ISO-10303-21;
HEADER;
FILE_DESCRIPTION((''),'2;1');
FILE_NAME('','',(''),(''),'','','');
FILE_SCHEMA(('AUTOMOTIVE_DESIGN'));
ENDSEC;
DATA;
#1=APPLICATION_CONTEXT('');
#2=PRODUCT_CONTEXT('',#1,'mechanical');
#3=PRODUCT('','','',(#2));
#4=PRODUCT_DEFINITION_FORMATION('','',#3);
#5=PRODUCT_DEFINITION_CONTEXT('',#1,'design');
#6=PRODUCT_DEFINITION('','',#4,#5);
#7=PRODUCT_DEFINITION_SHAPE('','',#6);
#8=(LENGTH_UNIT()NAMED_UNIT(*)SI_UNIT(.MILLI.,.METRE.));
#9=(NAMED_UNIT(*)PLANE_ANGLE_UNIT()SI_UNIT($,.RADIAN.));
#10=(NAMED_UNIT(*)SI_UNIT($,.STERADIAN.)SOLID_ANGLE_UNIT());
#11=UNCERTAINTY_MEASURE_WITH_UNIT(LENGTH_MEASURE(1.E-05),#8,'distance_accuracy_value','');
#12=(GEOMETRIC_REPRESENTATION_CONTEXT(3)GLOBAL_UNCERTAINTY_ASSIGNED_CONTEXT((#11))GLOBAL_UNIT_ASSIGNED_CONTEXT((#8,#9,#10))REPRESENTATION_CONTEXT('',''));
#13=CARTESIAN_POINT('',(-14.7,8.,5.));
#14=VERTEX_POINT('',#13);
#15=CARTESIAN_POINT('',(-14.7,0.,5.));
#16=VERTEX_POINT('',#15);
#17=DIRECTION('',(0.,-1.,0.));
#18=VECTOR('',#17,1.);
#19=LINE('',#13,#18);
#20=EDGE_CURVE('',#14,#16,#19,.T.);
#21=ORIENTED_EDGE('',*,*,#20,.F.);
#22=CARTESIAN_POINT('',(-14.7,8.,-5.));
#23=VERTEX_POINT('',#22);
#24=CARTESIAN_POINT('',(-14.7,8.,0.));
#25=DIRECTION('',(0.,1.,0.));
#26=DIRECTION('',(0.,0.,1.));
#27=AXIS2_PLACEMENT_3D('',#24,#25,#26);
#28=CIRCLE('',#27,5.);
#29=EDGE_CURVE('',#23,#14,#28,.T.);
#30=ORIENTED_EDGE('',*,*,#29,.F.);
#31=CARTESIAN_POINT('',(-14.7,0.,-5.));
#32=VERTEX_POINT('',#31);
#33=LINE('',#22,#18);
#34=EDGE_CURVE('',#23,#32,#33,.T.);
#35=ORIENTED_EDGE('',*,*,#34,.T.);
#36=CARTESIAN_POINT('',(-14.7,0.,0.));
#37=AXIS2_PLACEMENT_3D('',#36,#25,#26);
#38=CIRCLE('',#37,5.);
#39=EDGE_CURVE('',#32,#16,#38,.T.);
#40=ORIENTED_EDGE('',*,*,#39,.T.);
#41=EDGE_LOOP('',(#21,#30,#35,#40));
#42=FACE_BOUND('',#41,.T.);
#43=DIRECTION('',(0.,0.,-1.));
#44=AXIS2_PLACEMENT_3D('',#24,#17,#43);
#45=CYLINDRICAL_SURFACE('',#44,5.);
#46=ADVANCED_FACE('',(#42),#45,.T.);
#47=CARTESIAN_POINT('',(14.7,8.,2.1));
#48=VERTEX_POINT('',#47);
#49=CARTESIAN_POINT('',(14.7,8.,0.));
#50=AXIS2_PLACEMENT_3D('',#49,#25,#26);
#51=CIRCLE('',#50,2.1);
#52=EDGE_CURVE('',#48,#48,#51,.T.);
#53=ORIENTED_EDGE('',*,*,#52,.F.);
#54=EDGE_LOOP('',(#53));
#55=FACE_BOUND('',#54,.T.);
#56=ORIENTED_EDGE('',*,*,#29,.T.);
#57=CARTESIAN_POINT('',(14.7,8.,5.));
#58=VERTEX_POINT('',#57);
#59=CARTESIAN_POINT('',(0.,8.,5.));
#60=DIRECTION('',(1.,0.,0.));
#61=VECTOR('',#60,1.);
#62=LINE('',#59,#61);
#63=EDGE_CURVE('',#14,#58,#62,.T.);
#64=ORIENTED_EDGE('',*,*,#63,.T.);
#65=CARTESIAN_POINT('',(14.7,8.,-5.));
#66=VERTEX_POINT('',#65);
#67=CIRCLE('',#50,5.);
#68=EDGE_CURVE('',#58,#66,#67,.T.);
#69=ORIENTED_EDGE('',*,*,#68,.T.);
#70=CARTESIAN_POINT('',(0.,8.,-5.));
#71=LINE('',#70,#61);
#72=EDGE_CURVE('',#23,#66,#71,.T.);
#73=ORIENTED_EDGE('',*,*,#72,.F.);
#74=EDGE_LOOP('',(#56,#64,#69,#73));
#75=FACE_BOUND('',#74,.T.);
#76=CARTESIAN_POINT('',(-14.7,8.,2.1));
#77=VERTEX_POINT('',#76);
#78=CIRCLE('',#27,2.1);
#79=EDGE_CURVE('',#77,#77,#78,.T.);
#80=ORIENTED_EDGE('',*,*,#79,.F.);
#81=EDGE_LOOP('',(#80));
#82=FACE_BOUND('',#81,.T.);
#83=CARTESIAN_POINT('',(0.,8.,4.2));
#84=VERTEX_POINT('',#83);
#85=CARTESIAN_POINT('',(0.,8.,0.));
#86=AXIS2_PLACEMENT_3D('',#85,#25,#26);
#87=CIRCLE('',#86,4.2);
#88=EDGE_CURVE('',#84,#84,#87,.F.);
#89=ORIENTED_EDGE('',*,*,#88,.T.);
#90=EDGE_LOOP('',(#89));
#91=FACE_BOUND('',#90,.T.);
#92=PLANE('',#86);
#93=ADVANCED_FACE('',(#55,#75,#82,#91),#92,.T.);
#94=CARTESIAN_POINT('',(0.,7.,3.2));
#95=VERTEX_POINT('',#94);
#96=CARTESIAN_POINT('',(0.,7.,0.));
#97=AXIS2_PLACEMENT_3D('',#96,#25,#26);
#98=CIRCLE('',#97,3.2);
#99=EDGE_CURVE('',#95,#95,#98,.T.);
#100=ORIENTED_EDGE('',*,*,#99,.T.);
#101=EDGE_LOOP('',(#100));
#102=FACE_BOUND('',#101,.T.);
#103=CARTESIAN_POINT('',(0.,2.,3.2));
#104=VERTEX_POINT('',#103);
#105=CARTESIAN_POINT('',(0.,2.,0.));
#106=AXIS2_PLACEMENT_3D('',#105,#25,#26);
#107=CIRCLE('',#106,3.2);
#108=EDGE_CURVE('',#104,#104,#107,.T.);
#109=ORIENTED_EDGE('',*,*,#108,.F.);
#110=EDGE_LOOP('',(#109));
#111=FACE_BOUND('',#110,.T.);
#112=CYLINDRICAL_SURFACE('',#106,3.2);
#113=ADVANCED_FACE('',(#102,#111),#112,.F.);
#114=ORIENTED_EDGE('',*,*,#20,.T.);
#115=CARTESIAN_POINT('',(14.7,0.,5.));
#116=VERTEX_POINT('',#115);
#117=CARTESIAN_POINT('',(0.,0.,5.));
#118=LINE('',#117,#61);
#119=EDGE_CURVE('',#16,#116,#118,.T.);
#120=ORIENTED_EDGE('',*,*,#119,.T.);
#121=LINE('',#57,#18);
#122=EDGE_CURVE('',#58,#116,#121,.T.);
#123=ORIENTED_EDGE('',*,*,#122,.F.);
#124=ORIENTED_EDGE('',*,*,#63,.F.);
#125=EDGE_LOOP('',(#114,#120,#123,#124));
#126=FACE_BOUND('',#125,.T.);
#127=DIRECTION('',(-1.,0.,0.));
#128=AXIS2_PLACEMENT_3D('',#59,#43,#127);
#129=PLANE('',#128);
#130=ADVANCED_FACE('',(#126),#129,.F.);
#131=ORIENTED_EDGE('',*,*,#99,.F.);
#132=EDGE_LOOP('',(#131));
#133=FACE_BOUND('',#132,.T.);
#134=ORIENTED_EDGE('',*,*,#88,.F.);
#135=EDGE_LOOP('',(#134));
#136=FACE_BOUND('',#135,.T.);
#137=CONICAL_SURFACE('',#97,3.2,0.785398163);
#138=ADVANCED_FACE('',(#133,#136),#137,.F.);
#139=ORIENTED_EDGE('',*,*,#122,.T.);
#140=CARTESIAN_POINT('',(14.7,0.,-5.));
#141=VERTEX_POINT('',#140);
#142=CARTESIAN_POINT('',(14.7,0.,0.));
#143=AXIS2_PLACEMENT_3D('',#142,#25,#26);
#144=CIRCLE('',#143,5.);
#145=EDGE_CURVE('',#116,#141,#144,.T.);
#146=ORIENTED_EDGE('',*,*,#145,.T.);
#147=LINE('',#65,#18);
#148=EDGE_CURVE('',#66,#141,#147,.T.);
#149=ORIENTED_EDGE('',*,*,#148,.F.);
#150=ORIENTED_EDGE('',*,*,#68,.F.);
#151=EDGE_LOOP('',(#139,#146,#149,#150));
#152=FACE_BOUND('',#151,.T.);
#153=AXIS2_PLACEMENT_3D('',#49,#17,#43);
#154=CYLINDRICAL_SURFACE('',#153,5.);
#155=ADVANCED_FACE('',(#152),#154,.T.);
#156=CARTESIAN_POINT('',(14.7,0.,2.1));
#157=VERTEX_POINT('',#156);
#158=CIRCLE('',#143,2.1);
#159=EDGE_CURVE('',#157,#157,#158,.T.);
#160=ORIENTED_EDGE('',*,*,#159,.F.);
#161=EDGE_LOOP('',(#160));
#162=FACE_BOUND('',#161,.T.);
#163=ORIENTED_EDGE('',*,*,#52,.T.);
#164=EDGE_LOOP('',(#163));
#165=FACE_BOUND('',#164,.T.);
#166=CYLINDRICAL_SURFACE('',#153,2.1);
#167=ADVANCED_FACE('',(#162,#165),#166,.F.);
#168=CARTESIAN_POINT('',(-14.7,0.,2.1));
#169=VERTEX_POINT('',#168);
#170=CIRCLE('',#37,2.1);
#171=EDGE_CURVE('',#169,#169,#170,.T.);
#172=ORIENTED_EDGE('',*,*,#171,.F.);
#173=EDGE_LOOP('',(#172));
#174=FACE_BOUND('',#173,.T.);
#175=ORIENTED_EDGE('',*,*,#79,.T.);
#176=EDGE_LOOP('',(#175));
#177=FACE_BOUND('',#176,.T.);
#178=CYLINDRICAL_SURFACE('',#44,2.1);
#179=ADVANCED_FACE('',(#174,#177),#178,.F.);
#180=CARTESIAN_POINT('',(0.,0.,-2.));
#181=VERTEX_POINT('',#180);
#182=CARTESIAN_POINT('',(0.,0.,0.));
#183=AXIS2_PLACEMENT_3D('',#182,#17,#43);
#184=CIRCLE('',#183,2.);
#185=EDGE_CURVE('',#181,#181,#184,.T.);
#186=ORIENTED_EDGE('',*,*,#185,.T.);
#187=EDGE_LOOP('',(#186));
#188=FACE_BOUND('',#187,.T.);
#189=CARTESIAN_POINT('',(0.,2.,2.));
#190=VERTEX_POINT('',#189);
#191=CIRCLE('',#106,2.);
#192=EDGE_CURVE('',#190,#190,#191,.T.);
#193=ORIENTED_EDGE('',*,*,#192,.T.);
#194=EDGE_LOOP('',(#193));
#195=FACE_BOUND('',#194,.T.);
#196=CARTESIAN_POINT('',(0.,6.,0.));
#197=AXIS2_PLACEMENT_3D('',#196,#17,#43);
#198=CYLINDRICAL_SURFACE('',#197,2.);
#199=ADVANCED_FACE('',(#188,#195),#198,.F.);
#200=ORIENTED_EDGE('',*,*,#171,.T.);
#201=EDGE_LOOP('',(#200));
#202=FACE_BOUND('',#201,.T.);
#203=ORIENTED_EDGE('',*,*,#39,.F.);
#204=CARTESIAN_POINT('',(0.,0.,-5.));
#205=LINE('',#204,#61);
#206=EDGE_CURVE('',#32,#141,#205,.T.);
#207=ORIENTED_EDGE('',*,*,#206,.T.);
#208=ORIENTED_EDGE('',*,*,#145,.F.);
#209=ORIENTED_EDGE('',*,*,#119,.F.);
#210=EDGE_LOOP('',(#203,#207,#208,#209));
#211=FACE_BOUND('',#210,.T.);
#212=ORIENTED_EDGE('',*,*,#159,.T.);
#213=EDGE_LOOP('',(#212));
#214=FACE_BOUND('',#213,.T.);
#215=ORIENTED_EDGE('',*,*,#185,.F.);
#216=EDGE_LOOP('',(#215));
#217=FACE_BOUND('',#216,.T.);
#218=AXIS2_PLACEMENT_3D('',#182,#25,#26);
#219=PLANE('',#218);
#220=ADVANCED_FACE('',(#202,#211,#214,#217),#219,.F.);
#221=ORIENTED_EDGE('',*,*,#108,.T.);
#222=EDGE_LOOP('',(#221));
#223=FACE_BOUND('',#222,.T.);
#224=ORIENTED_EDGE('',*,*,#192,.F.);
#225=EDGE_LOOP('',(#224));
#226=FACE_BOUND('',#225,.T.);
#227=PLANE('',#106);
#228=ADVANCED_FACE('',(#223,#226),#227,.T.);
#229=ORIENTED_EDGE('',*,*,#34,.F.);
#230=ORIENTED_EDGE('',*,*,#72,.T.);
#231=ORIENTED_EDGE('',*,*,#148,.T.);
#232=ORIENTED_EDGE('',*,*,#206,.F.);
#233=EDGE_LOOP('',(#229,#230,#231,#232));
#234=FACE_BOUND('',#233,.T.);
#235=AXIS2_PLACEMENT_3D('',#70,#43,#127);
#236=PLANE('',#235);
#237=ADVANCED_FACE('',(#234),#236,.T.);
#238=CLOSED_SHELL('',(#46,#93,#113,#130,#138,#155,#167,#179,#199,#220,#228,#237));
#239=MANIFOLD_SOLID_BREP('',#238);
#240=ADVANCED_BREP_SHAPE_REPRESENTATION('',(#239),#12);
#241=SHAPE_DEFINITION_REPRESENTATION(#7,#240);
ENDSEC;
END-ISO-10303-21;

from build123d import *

# Parameters (mm, degrees)
SKETCH1_R           = 2.1
BOSS_EXTRUDE1_DEPTH = 8
SKETCH2_R           = 3.2
CUT_EXTRUDE1_DEPTH  = 6
SKETCH3_R           = 2
CUT_EXTRUDE2_DEPTH  = 6
CHAMFER1_SIZE       = 1


with BuildPart() as part:
    # Sketch1 → Boss-Extrude1 (new body)
    with BuildSketch(Plane(origin=(0, 0, 0), x_dir=(1, 0, 0), z_dir=(0, 1, 0))):
        with BuildLine():
            Line((-14.7, 5), (14.7, 5))
            ThreePointArc((14.7, 5), (19.7, 0), (14.7, -5))
            Line((14.7, -5), (-14.7, -5))
            ThreePointArc((-14.7, -5), (-19.7, 0), (-14.7, 5))
        make_face()
        with Locations((-14.7, 0)):
            Circle(SKETCH1_R, mode=Mode.SUBTRACT)
        with Locations((14.7, 0)):
            Circle(SKETCH1_R, mode=Mode.SUBTRACT)
    extrude(amount=BOSS_EXTRUDE1_DEPTH)

    # Sketch2 → Cut-Extrude1 (cut)
    with BuildSketch(Plane(origin=(0, 8, 0), x_dir=(1, 0, 0), z_dir=(0, 1, 0))):
        Circle(SKETCH2_R)
    extrude(amount=-CUT_EXTRUDE1_DEPTH, mode=Mode.SUBTRACT)

    # Sketch3 → Cut-Extrude2 (cut)
    with BuildSketch(Plane.XZ):
        Circle(SKETCH3_R)
    extrude(amount=-CUT_EXTRUDE2_DEPTH, mode=Mode.SUBTRACT)

    # Chamfer1
    chamfer1_edges = [part.edges().sort_by_distance(p)[0] for p in [
        (-3.2, 8, 0),
    ]]
    chamfer(chamfer1_edges, length=CHAMFER1_SIZE)


solid = part.part
